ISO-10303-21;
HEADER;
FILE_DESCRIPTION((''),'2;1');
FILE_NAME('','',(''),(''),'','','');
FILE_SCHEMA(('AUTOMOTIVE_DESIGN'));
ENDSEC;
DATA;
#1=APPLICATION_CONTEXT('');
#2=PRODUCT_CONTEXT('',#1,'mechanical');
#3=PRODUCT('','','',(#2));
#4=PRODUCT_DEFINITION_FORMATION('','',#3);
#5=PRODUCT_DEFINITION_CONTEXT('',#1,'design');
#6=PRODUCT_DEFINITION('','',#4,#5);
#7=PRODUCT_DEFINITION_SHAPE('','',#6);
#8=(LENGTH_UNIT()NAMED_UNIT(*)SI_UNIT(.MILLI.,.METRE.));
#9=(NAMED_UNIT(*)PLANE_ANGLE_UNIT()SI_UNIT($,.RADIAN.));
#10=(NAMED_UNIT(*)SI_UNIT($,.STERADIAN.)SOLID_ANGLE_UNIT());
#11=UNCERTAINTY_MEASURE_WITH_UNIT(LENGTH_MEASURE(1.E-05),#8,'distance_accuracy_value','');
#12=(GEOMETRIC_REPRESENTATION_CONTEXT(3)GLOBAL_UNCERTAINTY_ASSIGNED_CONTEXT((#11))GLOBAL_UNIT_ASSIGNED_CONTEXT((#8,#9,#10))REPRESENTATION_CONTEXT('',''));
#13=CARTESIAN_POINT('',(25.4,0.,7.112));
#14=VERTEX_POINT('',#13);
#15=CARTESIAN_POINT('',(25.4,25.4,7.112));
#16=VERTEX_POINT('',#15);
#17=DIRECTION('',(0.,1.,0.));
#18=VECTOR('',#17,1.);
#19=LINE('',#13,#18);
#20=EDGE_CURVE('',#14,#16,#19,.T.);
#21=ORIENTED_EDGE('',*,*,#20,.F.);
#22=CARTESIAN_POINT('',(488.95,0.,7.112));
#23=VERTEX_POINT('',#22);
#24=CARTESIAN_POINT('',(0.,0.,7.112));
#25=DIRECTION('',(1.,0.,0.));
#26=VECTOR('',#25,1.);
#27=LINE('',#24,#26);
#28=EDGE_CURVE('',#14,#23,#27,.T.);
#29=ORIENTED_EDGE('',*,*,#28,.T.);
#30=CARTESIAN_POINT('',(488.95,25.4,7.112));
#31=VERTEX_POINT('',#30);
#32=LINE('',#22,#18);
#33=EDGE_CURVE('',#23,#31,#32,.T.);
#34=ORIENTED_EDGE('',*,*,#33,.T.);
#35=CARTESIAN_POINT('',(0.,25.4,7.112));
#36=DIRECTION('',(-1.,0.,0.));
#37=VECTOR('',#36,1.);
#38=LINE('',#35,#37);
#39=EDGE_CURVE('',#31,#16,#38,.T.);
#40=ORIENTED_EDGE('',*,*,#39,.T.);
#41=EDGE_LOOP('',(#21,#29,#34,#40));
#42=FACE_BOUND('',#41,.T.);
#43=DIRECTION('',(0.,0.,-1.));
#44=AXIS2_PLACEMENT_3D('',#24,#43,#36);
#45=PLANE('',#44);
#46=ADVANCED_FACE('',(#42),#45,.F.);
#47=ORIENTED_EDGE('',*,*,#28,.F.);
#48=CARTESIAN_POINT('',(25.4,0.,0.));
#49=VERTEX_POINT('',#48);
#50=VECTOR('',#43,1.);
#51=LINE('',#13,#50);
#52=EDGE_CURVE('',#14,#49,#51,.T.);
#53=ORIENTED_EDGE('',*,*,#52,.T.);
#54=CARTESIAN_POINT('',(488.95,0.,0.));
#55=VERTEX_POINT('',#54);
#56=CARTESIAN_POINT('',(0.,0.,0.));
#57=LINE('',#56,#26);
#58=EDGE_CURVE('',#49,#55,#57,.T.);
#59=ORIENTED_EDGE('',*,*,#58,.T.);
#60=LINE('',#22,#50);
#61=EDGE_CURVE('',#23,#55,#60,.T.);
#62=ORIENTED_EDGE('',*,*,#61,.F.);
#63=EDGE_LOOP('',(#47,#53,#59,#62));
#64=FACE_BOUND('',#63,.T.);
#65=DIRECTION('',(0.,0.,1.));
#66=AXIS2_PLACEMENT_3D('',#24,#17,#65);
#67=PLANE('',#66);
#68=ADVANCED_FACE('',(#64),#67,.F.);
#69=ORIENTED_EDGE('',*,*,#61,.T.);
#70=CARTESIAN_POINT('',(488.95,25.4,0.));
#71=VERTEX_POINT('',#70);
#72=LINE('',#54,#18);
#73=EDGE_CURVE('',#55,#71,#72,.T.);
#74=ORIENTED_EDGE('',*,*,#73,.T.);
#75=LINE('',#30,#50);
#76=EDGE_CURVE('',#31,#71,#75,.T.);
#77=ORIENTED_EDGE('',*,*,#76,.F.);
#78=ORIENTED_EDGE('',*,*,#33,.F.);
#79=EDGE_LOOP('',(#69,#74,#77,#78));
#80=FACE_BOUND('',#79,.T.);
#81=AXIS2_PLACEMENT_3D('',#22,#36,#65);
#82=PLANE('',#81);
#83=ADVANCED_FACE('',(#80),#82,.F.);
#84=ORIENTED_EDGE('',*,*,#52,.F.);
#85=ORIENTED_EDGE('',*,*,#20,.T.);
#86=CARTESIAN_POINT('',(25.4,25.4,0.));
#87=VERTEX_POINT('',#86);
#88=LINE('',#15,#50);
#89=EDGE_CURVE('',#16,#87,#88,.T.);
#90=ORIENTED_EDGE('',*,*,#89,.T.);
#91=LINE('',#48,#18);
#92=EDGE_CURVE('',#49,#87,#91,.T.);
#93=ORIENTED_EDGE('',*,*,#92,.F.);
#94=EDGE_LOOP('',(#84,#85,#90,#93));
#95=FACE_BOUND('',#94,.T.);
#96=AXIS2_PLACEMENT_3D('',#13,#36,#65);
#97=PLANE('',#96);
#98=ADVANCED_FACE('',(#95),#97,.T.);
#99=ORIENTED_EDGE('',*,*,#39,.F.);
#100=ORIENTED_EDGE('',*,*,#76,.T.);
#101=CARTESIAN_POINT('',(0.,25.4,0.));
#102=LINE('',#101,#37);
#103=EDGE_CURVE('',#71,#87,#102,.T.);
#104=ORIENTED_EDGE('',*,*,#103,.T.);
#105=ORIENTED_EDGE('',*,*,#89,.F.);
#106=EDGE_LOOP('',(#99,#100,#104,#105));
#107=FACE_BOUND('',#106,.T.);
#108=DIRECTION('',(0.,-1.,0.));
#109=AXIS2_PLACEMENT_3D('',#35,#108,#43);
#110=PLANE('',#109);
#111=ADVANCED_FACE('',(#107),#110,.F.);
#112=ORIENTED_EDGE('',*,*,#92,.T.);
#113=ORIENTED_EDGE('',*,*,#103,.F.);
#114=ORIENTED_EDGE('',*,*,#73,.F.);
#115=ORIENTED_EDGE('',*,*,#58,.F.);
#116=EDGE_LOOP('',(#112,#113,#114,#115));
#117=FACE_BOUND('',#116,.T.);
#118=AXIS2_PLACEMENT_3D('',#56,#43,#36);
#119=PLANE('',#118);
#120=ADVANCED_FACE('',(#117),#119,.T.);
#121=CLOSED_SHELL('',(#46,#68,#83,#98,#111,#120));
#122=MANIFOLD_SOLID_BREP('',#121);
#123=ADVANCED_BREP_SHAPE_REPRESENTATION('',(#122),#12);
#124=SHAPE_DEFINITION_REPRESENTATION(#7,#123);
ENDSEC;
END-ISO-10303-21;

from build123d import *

# Parameters (mm, degrees)
SKETCH1_W           = 488.95
SKETCH1_H           = 25.4
BOSS_EXTRUDE1_DEPTH = 7.112
SKETCH2_W           = 25.4
SKETCH2_H           = 25.4
CUT_EXTRUDE1_DEPTH  = 490.660947028


with BuildPart() as part:
    # Sketch1 → Boss-Extrude1 (new body)
    with BuildSketch(Plane.XY):
        with Locations((244.475, 12.7)):
            Rectangle(SKETCH1_W, SKETCH1_H)
    extrude(amount=BOSS_EXTRUDE1_DEPTH)

    # Sketch2 → Cut-Extrude1 (cut, through all)
    with BuildSketch(Plane.XY):
        with Locations((12.7, 12.7)):
            Rectangle(SKETCH2_W, SKETCH2_H)
    extrude(amount=CUT_EXTRUDE1_DEPTH, mode=Mode.SUBTRACT)


solid = part.part
